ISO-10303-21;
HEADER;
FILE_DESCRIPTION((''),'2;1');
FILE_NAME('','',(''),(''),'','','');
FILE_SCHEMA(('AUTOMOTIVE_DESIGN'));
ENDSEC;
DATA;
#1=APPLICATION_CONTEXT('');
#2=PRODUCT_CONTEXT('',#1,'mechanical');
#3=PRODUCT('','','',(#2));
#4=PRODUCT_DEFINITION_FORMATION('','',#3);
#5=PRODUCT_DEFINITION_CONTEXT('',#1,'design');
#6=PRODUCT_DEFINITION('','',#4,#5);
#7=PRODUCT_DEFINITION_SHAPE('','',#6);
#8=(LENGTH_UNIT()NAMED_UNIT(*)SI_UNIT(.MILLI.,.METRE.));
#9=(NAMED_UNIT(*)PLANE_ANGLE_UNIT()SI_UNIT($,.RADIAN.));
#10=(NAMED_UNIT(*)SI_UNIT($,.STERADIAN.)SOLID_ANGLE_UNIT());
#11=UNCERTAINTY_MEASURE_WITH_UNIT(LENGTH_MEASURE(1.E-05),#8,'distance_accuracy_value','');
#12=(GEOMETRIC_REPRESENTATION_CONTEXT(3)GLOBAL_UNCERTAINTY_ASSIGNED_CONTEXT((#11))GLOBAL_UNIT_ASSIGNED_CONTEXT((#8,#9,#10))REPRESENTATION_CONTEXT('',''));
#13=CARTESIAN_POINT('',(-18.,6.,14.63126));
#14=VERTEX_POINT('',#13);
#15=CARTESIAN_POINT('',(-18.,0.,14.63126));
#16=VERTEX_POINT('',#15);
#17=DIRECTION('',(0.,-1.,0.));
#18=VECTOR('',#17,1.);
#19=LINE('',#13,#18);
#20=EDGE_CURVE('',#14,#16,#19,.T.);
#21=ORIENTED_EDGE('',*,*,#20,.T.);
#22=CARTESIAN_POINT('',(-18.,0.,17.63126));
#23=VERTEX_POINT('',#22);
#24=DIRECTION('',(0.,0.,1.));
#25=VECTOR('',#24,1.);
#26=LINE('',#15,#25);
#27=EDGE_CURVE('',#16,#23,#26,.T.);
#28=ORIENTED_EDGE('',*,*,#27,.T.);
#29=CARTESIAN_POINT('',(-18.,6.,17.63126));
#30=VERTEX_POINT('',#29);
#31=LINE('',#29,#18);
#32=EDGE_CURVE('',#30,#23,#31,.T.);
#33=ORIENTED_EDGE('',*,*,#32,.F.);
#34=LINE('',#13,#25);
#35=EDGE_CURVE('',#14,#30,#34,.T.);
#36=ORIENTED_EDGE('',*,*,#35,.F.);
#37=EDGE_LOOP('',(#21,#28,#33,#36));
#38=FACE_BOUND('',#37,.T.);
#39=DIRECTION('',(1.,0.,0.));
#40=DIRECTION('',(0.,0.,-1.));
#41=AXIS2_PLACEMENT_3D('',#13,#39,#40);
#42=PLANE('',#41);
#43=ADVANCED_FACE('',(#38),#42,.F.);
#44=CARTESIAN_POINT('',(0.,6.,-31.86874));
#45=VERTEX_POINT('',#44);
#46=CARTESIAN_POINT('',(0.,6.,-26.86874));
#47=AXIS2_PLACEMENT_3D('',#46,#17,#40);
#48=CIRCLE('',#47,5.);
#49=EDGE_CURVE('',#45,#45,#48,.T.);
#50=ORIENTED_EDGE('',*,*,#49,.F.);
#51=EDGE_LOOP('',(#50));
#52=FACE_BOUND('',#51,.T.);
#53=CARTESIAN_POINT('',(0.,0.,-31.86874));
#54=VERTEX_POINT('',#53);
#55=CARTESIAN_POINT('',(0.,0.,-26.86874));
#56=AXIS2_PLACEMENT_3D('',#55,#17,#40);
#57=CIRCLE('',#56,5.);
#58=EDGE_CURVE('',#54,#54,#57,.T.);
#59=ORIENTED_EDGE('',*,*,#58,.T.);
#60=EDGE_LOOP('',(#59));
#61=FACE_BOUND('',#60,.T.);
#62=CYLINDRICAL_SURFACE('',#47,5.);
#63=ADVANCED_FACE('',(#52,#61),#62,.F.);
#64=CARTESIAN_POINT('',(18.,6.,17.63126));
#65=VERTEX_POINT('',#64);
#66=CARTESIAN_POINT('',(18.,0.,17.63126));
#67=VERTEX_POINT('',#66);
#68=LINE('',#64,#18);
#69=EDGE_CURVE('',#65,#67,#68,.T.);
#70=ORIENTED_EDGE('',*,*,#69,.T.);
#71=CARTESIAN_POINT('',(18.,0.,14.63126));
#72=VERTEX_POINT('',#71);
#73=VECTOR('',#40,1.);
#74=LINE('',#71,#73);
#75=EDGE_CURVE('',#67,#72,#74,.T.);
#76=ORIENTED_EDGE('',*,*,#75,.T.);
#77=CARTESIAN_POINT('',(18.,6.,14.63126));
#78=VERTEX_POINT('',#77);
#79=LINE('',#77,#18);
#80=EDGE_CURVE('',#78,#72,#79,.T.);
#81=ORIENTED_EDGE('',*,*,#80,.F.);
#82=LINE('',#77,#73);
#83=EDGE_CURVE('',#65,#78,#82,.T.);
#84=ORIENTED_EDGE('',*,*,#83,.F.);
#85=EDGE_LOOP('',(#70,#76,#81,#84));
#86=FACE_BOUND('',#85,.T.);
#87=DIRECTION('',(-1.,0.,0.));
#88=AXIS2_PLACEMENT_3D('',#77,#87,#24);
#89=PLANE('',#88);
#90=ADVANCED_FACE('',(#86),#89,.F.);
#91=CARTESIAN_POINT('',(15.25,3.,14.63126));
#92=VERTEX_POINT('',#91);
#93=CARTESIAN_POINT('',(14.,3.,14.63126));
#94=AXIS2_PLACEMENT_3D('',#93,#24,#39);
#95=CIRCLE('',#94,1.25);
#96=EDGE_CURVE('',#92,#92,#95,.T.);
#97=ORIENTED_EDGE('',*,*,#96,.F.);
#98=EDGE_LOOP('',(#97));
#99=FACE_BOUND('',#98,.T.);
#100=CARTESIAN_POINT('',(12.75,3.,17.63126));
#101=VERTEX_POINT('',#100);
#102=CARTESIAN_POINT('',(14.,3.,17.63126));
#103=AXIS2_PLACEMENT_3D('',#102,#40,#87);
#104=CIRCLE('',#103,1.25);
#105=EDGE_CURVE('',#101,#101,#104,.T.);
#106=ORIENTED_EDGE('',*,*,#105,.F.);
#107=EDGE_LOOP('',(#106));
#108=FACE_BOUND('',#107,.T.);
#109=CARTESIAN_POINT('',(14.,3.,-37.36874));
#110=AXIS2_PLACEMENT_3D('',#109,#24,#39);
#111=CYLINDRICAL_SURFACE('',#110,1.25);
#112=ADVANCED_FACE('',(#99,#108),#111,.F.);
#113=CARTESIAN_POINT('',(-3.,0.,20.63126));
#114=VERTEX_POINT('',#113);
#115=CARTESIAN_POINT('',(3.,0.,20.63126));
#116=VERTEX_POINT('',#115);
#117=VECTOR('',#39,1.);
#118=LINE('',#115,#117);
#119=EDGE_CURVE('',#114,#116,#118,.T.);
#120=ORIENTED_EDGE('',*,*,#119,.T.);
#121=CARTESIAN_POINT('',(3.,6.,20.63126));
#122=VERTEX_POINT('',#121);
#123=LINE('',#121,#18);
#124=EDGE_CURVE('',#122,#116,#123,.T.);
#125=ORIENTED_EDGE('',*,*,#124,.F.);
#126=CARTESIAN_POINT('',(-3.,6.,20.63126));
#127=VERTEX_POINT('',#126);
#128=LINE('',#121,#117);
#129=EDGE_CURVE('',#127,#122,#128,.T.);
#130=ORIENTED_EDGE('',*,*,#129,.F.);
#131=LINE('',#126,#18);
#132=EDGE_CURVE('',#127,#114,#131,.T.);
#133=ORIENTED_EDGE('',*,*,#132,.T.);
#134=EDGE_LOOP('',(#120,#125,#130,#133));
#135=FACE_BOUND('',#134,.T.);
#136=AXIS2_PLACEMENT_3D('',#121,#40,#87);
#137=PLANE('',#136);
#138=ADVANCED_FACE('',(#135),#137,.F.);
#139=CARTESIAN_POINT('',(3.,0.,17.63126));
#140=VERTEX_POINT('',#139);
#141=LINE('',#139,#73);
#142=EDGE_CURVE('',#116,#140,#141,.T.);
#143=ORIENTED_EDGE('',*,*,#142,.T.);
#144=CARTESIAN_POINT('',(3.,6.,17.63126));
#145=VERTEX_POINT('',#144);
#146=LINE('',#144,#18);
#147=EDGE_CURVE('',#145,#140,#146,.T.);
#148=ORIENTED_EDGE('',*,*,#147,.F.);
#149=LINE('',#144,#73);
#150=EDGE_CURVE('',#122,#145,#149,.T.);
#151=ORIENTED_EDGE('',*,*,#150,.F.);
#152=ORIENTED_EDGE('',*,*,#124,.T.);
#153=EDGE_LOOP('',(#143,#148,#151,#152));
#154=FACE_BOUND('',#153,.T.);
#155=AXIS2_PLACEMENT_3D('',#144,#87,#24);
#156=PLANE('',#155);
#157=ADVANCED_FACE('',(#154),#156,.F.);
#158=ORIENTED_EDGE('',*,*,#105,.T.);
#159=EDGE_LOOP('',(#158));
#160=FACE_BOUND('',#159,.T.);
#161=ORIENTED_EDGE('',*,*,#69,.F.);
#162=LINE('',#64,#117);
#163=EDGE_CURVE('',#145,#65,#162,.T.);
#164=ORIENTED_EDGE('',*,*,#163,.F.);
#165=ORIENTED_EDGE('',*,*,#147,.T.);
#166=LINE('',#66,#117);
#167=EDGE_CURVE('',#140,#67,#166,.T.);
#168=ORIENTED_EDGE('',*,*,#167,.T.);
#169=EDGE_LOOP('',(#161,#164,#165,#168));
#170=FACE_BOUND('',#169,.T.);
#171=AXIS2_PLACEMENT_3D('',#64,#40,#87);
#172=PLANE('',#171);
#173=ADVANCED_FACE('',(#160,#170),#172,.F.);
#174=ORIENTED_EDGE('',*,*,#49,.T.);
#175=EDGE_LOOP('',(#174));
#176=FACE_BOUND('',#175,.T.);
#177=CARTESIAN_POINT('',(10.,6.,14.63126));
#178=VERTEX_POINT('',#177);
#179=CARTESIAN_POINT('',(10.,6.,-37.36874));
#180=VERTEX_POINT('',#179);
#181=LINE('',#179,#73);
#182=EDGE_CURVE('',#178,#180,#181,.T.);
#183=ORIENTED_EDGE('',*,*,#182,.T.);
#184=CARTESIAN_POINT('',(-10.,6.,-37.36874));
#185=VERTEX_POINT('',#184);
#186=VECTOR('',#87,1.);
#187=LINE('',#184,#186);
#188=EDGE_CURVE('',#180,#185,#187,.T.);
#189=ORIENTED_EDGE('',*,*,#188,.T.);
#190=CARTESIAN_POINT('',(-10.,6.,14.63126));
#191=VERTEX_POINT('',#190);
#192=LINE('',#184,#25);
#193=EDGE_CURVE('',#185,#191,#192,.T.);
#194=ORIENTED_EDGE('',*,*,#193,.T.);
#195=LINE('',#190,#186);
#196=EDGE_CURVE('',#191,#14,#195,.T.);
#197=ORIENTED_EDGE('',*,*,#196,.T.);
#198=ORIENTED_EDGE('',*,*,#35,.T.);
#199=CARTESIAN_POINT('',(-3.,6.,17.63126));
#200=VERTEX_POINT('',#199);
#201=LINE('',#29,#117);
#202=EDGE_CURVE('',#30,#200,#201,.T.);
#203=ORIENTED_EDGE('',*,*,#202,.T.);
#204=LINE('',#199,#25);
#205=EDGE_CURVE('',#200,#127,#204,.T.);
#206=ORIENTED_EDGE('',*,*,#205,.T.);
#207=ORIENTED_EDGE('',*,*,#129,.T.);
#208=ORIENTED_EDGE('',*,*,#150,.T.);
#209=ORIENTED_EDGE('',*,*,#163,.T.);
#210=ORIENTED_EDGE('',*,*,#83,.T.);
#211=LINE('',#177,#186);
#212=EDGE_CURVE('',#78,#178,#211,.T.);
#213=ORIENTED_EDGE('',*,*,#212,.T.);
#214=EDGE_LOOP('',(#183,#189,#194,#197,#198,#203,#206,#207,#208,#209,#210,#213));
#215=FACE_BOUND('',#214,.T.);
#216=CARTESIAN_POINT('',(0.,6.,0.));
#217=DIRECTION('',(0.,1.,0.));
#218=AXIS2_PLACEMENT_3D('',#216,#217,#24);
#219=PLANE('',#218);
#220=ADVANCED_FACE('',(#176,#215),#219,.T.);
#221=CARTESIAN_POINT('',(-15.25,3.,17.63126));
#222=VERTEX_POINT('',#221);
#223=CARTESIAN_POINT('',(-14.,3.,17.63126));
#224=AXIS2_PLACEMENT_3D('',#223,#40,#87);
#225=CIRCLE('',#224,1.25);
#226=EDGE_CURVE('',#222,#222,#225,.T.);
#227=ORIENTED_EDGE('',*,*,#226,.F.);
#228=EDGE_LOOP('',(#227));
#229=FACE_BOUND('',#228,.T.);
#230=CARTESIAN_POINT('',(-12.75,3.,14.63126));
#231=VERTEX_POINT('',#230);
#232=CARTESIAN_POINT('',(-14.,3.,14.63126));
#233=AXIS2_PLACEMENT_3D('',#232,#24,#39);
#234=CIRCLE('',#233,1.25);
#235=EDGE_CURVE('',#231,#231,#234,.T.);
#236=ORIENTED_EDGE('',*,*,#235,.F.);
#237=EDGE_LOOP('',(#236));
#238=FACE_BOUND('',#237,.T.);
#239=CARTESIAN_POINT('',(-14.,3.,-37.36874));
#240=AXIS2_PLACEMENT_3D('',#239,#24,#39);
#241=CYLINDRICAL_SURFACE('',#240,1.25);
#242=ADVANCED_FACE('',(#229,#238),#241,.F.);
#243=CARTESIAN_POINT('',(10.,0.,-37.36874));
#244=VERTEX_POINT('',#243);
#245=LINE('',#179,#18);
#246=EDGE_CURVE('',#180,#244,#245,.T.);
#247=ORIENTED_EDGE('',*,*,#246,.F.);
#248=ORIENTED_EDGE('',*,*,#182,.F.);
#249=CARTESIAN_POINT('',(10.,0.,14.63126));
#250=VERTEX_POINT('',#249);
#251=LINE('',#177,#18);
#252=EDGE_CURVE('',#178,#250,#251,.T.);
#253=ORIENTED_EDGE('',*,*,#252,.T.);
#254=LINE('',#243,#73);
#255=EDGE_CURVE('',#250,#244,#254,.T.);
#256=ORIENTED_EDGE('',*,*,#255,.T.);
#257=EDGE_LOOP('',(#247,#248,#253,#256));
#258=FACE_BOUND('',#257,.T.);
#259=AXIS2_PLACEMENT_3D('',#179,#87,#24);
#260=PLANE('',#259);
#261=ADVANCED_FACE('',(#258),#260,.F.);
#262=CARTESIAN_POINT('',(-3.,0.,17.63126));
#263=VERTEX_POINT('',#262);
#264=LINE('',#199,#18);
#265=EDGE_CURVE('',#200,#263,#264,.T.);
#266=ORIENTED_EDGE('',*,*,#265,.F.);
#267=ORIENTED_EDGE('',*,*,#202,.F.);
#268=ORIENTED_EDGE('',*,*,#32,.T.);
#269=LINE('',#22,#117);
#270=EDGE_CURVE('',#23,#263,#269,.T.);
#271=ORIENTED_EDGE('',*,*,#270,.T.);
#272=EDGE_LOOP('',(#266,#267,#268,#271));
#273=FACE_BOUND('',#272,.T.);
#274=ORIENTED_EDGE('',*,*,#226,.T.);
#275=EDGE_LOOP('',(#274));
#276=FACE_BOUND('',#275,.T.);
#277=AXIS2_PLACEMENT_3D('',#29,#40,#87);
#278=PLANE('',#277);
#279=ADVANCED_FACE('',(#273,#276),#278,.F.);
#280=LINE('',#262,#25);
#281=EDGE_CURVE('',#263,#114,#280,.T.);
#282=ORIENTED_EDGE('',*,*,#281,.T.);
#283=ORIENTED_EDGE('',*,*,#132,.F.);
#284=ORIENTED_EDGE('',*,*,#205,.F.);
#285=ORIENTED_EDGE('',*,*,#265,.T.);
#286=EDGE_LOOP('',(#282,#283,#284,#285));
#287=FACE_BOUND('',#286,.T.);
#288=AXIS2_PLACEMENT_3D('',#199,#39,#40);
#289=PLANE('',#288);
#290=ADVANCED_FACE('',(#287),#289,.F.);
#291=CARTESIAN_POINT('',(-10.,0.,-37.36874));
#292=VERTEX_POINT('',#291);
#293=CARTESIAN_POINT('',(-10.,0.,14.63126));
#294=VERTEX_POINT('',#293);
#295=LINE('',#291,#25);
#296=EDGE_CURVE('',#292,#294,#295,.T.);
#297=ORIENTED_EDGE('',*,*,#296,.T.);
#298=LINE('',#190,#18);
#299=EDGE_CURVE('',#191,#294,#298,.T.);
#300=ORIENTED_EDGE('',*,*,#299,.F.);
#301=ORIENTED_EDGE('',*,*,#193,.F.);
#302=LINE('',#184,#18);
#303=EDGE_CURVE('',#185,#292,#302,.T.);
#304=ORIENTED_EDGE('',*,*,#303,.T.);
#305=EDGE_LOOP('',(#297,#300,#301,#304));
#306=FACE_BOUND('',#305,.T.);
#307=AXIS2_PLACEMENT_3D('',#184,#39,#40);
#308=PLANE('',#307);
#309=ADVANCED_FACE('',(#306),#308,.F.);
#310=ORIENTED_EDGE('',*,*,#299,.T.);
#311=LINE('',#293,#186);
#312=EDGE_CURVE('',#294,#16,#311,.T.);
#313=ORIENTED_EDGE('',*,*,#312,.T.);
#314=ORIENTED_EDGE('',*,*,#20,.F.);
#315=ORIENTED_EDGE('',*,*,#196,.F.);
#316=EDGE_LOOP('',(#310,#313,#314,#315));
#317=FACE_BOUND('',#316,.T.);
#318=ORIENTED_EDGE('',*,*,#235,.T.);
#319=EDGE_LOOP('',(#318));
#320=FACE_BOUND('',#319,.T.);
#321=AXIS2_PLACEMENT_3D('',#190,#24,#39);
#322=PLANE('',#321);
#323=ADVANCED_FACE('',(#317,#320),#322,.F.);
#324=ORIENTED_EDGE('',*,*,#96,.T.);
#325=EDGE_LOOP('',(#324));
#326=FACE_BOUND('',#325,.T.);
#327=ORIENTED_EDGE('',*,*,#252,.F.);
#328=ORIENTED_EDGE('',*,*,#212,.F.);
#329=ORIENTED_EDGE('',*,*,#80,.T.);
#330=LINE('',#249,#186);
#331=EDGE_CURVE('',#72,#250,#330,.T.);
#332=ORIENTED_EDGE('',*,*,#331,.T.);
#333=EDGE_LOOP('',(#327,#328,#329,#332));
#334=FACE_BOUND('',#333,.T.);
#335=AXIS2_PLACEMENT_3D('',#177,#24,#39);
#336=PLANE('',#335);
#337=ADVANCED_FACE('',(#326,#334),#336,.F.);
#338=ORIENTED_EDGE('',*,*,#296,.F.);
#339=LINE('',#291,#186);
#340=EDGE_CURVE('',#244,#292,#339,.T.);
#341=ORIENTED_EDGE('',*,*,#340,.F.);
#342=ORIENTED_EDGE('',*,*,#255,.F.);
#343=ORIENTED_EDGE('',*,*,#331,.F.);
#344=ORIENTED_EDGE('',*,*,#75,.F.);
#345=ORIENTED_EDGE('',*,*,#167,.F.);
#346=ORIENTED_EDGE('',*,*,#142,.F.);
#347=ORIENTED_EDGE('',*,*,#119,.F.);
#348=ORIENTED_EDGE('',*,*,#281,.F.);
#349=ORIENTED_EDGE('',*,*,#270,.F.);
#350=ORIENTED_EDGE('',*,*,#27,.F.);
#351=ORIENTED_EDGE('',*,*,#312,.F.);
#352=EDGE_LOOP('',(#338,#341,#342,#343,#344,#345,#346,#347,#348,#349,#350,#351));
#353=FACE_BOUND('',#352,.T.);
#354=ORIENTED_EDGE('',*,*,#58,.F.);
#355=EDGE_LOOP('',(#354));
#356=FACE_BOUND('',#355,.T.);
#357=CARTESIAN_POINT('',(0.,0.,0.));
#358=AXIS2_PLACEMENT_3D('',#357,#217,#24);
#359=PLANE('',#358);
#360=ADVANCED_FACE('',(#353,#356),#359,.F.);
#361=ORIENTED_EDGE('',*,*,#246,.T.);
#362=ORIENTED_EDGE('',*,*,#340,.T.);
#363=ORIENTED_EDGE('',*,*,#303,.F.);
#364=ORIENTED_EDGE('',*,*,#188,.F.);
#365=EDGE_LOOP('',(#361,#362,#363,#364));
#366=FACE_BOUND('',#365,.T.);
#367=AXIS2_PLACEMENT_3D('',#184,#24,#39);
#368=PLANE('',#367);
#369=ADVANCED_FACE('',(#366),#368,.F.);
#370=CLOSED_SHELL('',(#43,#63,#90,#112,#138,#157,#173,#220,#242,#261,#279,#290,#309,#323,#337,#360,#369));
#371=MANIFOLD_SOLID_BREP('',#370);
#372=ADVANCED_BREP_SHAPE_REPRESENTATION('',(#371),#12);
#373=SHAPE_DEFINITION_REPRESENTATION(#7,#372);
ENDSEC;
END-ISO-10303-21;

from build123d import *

# Parameters (mm, degrees)
EXTRUDE_1_DEPTH          = 6
SKETCH_3_R               = 5
CUT_EXTRUDE_1_DEPTH      = 42.909697148
CUT_EXTRUDE_3_DEPTH      = 42.909697148
CUT_EXTRUDE_3_DEPTH_BACK = 42.909697148
SKETCH_4_R               = 1.25


with BuildPart() as part:
    # 草图1 → 凸台-拉伸1 (new body)
    with BuildSketch(Plane(origin=(0, 0, 0), x_dir=(1, 0, 0), z_dir=(0, 1, 0))):
        Polygon((-10, 37.368739811), (10, 37.368739811), (10, -14.631260189), (18, -14.631260189), (18, -17.631260189), (3, -17.631260189), (3, -20.631260189), (-3, -20.631260189), (-3, -17.631260189), (-18, -17.631260189), (-18, -14.631260189), (-10, -14.631260189), align=None)
    extrude(amount=EXTRUDE_1_DEPTH)

    # 草图3 → 切除-拉伸1 (cut, through all)
    with BuildSketch(Plane.XZ):
        with Locations(Location((0, -26.868739811, 0), (0, 0, 270))):
            Circle(SKETCH_3_R)
    extrude(amount=-CUT_EXTRUDE_1_DEPTH, mode=Mode.SUBTRACT)

    # 草图4 → 切除-拉伸3 (cut, two sides: drawn at the far end of the back side and taken through both)
    with BuildSketch(Plane.XY.offset(-CUT_EXTRUDE_3_DEPTH_BACK)):
        with Locations((-14, 3)):
            Circle(SKETCH_4_R)
        with Locations((14, 3)):
            Circle(SKETCH_4_R)
    extrude(amount=CUT_EXTRUDE_3_DEPTH + CUT_EXTRUDE_3_DEPTH_BACK, mode=Mode.SUBTRACT)


solid = part.part
